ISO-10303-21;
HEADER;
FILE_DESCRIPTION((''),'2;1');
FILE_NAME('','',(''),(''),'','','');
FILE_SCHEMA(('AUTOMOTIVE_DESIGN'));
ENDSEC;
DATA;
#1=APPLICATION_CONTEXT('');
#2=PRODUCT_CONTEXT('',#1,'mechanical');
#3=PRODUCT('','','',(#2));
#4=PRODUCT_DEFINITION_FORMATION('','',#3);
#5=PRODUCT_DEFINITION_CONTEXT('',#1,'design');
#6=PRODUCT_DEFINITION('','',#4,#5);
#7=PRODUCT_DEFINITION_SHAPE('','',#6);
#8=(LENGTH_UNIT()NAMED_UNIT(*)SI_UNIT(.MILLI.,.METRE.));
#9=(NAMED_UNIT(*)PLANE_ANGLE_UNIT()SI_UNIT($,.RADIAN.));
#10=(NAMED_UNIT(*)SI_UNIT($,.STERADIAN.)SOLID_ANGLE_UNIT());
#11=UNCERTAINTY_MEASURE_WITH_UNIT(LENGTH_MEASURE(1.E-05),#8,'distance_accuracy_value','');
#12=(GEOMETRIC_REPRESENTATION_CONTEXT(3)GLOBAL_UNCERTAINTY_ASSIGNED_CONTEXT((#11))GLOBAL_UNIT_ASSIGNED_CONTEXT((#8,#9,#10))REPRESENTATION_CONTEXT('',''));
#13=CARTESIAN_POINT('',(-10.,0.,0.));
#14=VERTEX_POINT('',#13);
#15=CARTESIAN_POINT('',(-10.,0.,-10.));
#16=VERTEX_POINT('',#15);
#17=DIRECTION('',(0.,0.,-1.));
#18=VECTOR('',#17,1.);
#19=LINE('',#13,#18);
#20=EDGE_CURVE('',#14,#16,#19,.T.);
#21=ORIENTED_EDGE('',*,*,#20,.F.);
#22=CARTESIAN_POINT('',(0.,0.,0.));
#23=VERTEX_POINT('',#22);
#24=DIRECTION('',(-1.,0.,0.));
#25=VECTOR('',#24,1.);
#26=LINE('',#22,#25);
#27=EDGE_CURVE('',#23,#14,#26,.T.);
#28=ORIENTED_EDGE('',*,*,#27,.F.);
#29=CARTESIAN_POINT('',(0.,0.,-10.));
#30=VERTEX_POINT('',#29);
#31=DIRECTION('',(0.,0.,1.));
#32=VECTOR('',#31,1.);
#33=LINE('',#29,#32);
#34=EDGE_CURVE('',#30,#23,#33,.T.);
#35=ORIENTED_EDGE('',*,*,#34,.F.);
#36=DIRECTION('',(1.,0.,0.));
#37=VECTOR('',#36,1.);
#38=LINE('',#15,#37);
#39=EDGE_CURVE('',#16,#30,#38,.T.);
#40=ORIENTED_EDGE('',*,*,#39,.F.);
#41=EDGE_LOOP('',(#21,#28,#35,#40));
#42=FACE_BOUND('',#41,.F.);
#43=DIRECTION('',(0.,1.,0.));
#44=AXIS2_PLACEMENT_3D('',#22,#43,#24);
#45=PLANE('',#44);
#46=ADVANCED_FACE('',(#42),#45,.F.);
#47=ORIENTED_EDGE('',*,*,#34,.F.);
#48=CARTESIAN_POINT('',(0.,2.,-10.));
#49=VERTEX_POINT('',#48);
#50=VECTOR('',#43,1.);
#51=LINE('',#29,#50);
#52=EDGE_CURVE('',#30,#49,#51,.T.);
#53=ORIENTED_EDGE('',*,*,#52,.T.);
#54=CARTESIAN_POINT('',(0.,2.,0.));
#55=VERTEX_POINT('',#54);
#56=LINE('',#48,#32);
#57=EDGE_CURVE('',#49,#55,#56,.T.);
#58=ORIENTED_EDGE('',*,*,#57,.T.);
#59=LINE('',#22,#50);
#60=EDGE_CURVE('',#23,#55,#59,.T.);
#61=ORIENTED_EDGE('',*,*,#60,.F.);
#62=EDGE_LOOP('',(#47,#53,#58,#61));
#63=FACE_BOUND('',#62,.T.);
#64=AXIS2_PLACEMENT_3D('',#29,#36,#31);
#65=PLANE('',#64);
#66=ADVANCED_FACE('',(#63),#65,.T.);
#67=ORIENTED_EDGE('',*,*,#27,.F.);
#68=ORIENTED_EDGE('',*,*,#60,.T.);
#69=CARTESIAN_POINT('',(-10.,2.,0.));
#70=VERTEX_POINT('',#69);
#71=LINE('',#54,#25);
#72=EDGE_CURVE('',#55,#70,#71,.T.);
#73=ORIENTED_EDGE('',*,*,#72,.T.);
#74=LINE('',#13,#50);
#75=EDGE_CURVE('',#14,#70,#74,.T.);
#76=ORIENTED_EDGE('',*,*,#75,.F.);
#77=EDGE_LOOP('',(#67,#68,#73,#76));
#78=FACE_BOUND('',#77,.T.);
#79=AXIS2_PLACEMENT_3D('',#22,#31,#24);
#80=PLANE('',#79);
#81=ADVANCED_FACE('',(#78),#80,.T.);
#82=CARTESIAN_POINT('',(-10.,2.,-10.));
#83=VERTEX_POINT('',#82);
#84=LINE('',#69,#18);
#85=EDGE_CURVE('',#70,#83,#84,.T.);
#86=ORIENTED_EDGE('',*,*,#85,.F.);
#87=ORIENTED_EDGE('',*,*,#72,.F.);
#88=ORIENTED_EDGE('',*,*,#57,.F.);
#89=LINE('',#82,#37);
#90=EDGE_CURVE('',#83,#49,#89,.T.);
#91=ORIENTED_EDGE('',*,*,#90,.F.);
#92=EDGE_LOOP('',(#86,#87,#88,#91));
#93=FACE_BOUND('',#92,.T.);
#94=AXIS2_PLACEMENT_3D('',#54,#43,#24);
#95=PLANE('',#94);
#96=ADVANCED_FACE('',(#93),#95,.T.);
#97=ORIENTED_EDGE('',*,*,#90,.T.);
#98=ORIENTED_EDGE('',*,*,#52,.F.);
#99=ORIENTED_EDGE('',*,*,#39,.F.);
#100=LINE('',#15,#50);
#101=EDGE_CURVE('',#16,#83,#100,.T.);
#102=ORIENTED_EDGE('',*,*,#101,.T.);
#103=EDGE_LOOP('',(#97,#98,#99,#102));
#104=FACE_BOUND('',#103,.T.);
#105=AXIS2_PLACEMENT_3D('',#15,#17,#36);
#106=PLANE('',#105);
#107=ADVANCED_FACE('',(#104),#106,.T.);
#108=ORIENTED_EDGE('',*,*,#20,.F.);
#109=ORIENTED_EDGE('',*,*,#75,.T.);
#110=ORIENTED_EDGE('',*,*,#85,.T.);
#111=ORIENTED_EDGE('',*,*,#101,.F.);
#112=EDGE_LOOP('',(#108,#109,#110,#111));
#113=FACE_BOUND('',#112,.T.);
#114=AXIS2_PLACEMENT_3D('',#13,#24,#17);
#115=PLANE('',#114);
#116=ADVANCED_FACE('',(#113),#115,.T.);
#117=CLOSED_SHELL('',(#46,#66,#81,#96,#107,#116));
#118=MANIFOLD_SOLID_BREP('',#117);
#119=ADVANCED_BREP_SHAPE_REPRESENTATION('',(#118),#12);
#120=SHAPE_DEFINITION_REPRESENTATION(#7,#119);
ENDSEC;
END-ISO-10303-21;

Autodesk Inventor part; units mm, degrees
ref_plane "YZ Plane" through (0, 0, 0) normal (1, 0, 0) x (0, 1, 0)
ref_plane "XZ Plane" through (0, 0, 0) normal (0, 1, 0) x (-1, 0, 0)
ref_plane "XY Plane" through (0, 0, 0) normal (0, 0, 1) x (1, 0, 0)
sketch "Sketch1" plane through (0, 0, 0) normal (0, 1, 0) x (-1, 0, 0)
  line L0 (0, 0) -> (10, 0)
  line L1 (10, 0) -> (10, -10)
  line L2 (10, -10) -> (0, -10)
  line L3 (0, -10) -> (0, 0)
  dimension "d0" = 10
  dimension "d1" = 10
extrude "Extrusion1" add sketch "Sketch1" along normal blind 2
properties part number "Box 2mm"
